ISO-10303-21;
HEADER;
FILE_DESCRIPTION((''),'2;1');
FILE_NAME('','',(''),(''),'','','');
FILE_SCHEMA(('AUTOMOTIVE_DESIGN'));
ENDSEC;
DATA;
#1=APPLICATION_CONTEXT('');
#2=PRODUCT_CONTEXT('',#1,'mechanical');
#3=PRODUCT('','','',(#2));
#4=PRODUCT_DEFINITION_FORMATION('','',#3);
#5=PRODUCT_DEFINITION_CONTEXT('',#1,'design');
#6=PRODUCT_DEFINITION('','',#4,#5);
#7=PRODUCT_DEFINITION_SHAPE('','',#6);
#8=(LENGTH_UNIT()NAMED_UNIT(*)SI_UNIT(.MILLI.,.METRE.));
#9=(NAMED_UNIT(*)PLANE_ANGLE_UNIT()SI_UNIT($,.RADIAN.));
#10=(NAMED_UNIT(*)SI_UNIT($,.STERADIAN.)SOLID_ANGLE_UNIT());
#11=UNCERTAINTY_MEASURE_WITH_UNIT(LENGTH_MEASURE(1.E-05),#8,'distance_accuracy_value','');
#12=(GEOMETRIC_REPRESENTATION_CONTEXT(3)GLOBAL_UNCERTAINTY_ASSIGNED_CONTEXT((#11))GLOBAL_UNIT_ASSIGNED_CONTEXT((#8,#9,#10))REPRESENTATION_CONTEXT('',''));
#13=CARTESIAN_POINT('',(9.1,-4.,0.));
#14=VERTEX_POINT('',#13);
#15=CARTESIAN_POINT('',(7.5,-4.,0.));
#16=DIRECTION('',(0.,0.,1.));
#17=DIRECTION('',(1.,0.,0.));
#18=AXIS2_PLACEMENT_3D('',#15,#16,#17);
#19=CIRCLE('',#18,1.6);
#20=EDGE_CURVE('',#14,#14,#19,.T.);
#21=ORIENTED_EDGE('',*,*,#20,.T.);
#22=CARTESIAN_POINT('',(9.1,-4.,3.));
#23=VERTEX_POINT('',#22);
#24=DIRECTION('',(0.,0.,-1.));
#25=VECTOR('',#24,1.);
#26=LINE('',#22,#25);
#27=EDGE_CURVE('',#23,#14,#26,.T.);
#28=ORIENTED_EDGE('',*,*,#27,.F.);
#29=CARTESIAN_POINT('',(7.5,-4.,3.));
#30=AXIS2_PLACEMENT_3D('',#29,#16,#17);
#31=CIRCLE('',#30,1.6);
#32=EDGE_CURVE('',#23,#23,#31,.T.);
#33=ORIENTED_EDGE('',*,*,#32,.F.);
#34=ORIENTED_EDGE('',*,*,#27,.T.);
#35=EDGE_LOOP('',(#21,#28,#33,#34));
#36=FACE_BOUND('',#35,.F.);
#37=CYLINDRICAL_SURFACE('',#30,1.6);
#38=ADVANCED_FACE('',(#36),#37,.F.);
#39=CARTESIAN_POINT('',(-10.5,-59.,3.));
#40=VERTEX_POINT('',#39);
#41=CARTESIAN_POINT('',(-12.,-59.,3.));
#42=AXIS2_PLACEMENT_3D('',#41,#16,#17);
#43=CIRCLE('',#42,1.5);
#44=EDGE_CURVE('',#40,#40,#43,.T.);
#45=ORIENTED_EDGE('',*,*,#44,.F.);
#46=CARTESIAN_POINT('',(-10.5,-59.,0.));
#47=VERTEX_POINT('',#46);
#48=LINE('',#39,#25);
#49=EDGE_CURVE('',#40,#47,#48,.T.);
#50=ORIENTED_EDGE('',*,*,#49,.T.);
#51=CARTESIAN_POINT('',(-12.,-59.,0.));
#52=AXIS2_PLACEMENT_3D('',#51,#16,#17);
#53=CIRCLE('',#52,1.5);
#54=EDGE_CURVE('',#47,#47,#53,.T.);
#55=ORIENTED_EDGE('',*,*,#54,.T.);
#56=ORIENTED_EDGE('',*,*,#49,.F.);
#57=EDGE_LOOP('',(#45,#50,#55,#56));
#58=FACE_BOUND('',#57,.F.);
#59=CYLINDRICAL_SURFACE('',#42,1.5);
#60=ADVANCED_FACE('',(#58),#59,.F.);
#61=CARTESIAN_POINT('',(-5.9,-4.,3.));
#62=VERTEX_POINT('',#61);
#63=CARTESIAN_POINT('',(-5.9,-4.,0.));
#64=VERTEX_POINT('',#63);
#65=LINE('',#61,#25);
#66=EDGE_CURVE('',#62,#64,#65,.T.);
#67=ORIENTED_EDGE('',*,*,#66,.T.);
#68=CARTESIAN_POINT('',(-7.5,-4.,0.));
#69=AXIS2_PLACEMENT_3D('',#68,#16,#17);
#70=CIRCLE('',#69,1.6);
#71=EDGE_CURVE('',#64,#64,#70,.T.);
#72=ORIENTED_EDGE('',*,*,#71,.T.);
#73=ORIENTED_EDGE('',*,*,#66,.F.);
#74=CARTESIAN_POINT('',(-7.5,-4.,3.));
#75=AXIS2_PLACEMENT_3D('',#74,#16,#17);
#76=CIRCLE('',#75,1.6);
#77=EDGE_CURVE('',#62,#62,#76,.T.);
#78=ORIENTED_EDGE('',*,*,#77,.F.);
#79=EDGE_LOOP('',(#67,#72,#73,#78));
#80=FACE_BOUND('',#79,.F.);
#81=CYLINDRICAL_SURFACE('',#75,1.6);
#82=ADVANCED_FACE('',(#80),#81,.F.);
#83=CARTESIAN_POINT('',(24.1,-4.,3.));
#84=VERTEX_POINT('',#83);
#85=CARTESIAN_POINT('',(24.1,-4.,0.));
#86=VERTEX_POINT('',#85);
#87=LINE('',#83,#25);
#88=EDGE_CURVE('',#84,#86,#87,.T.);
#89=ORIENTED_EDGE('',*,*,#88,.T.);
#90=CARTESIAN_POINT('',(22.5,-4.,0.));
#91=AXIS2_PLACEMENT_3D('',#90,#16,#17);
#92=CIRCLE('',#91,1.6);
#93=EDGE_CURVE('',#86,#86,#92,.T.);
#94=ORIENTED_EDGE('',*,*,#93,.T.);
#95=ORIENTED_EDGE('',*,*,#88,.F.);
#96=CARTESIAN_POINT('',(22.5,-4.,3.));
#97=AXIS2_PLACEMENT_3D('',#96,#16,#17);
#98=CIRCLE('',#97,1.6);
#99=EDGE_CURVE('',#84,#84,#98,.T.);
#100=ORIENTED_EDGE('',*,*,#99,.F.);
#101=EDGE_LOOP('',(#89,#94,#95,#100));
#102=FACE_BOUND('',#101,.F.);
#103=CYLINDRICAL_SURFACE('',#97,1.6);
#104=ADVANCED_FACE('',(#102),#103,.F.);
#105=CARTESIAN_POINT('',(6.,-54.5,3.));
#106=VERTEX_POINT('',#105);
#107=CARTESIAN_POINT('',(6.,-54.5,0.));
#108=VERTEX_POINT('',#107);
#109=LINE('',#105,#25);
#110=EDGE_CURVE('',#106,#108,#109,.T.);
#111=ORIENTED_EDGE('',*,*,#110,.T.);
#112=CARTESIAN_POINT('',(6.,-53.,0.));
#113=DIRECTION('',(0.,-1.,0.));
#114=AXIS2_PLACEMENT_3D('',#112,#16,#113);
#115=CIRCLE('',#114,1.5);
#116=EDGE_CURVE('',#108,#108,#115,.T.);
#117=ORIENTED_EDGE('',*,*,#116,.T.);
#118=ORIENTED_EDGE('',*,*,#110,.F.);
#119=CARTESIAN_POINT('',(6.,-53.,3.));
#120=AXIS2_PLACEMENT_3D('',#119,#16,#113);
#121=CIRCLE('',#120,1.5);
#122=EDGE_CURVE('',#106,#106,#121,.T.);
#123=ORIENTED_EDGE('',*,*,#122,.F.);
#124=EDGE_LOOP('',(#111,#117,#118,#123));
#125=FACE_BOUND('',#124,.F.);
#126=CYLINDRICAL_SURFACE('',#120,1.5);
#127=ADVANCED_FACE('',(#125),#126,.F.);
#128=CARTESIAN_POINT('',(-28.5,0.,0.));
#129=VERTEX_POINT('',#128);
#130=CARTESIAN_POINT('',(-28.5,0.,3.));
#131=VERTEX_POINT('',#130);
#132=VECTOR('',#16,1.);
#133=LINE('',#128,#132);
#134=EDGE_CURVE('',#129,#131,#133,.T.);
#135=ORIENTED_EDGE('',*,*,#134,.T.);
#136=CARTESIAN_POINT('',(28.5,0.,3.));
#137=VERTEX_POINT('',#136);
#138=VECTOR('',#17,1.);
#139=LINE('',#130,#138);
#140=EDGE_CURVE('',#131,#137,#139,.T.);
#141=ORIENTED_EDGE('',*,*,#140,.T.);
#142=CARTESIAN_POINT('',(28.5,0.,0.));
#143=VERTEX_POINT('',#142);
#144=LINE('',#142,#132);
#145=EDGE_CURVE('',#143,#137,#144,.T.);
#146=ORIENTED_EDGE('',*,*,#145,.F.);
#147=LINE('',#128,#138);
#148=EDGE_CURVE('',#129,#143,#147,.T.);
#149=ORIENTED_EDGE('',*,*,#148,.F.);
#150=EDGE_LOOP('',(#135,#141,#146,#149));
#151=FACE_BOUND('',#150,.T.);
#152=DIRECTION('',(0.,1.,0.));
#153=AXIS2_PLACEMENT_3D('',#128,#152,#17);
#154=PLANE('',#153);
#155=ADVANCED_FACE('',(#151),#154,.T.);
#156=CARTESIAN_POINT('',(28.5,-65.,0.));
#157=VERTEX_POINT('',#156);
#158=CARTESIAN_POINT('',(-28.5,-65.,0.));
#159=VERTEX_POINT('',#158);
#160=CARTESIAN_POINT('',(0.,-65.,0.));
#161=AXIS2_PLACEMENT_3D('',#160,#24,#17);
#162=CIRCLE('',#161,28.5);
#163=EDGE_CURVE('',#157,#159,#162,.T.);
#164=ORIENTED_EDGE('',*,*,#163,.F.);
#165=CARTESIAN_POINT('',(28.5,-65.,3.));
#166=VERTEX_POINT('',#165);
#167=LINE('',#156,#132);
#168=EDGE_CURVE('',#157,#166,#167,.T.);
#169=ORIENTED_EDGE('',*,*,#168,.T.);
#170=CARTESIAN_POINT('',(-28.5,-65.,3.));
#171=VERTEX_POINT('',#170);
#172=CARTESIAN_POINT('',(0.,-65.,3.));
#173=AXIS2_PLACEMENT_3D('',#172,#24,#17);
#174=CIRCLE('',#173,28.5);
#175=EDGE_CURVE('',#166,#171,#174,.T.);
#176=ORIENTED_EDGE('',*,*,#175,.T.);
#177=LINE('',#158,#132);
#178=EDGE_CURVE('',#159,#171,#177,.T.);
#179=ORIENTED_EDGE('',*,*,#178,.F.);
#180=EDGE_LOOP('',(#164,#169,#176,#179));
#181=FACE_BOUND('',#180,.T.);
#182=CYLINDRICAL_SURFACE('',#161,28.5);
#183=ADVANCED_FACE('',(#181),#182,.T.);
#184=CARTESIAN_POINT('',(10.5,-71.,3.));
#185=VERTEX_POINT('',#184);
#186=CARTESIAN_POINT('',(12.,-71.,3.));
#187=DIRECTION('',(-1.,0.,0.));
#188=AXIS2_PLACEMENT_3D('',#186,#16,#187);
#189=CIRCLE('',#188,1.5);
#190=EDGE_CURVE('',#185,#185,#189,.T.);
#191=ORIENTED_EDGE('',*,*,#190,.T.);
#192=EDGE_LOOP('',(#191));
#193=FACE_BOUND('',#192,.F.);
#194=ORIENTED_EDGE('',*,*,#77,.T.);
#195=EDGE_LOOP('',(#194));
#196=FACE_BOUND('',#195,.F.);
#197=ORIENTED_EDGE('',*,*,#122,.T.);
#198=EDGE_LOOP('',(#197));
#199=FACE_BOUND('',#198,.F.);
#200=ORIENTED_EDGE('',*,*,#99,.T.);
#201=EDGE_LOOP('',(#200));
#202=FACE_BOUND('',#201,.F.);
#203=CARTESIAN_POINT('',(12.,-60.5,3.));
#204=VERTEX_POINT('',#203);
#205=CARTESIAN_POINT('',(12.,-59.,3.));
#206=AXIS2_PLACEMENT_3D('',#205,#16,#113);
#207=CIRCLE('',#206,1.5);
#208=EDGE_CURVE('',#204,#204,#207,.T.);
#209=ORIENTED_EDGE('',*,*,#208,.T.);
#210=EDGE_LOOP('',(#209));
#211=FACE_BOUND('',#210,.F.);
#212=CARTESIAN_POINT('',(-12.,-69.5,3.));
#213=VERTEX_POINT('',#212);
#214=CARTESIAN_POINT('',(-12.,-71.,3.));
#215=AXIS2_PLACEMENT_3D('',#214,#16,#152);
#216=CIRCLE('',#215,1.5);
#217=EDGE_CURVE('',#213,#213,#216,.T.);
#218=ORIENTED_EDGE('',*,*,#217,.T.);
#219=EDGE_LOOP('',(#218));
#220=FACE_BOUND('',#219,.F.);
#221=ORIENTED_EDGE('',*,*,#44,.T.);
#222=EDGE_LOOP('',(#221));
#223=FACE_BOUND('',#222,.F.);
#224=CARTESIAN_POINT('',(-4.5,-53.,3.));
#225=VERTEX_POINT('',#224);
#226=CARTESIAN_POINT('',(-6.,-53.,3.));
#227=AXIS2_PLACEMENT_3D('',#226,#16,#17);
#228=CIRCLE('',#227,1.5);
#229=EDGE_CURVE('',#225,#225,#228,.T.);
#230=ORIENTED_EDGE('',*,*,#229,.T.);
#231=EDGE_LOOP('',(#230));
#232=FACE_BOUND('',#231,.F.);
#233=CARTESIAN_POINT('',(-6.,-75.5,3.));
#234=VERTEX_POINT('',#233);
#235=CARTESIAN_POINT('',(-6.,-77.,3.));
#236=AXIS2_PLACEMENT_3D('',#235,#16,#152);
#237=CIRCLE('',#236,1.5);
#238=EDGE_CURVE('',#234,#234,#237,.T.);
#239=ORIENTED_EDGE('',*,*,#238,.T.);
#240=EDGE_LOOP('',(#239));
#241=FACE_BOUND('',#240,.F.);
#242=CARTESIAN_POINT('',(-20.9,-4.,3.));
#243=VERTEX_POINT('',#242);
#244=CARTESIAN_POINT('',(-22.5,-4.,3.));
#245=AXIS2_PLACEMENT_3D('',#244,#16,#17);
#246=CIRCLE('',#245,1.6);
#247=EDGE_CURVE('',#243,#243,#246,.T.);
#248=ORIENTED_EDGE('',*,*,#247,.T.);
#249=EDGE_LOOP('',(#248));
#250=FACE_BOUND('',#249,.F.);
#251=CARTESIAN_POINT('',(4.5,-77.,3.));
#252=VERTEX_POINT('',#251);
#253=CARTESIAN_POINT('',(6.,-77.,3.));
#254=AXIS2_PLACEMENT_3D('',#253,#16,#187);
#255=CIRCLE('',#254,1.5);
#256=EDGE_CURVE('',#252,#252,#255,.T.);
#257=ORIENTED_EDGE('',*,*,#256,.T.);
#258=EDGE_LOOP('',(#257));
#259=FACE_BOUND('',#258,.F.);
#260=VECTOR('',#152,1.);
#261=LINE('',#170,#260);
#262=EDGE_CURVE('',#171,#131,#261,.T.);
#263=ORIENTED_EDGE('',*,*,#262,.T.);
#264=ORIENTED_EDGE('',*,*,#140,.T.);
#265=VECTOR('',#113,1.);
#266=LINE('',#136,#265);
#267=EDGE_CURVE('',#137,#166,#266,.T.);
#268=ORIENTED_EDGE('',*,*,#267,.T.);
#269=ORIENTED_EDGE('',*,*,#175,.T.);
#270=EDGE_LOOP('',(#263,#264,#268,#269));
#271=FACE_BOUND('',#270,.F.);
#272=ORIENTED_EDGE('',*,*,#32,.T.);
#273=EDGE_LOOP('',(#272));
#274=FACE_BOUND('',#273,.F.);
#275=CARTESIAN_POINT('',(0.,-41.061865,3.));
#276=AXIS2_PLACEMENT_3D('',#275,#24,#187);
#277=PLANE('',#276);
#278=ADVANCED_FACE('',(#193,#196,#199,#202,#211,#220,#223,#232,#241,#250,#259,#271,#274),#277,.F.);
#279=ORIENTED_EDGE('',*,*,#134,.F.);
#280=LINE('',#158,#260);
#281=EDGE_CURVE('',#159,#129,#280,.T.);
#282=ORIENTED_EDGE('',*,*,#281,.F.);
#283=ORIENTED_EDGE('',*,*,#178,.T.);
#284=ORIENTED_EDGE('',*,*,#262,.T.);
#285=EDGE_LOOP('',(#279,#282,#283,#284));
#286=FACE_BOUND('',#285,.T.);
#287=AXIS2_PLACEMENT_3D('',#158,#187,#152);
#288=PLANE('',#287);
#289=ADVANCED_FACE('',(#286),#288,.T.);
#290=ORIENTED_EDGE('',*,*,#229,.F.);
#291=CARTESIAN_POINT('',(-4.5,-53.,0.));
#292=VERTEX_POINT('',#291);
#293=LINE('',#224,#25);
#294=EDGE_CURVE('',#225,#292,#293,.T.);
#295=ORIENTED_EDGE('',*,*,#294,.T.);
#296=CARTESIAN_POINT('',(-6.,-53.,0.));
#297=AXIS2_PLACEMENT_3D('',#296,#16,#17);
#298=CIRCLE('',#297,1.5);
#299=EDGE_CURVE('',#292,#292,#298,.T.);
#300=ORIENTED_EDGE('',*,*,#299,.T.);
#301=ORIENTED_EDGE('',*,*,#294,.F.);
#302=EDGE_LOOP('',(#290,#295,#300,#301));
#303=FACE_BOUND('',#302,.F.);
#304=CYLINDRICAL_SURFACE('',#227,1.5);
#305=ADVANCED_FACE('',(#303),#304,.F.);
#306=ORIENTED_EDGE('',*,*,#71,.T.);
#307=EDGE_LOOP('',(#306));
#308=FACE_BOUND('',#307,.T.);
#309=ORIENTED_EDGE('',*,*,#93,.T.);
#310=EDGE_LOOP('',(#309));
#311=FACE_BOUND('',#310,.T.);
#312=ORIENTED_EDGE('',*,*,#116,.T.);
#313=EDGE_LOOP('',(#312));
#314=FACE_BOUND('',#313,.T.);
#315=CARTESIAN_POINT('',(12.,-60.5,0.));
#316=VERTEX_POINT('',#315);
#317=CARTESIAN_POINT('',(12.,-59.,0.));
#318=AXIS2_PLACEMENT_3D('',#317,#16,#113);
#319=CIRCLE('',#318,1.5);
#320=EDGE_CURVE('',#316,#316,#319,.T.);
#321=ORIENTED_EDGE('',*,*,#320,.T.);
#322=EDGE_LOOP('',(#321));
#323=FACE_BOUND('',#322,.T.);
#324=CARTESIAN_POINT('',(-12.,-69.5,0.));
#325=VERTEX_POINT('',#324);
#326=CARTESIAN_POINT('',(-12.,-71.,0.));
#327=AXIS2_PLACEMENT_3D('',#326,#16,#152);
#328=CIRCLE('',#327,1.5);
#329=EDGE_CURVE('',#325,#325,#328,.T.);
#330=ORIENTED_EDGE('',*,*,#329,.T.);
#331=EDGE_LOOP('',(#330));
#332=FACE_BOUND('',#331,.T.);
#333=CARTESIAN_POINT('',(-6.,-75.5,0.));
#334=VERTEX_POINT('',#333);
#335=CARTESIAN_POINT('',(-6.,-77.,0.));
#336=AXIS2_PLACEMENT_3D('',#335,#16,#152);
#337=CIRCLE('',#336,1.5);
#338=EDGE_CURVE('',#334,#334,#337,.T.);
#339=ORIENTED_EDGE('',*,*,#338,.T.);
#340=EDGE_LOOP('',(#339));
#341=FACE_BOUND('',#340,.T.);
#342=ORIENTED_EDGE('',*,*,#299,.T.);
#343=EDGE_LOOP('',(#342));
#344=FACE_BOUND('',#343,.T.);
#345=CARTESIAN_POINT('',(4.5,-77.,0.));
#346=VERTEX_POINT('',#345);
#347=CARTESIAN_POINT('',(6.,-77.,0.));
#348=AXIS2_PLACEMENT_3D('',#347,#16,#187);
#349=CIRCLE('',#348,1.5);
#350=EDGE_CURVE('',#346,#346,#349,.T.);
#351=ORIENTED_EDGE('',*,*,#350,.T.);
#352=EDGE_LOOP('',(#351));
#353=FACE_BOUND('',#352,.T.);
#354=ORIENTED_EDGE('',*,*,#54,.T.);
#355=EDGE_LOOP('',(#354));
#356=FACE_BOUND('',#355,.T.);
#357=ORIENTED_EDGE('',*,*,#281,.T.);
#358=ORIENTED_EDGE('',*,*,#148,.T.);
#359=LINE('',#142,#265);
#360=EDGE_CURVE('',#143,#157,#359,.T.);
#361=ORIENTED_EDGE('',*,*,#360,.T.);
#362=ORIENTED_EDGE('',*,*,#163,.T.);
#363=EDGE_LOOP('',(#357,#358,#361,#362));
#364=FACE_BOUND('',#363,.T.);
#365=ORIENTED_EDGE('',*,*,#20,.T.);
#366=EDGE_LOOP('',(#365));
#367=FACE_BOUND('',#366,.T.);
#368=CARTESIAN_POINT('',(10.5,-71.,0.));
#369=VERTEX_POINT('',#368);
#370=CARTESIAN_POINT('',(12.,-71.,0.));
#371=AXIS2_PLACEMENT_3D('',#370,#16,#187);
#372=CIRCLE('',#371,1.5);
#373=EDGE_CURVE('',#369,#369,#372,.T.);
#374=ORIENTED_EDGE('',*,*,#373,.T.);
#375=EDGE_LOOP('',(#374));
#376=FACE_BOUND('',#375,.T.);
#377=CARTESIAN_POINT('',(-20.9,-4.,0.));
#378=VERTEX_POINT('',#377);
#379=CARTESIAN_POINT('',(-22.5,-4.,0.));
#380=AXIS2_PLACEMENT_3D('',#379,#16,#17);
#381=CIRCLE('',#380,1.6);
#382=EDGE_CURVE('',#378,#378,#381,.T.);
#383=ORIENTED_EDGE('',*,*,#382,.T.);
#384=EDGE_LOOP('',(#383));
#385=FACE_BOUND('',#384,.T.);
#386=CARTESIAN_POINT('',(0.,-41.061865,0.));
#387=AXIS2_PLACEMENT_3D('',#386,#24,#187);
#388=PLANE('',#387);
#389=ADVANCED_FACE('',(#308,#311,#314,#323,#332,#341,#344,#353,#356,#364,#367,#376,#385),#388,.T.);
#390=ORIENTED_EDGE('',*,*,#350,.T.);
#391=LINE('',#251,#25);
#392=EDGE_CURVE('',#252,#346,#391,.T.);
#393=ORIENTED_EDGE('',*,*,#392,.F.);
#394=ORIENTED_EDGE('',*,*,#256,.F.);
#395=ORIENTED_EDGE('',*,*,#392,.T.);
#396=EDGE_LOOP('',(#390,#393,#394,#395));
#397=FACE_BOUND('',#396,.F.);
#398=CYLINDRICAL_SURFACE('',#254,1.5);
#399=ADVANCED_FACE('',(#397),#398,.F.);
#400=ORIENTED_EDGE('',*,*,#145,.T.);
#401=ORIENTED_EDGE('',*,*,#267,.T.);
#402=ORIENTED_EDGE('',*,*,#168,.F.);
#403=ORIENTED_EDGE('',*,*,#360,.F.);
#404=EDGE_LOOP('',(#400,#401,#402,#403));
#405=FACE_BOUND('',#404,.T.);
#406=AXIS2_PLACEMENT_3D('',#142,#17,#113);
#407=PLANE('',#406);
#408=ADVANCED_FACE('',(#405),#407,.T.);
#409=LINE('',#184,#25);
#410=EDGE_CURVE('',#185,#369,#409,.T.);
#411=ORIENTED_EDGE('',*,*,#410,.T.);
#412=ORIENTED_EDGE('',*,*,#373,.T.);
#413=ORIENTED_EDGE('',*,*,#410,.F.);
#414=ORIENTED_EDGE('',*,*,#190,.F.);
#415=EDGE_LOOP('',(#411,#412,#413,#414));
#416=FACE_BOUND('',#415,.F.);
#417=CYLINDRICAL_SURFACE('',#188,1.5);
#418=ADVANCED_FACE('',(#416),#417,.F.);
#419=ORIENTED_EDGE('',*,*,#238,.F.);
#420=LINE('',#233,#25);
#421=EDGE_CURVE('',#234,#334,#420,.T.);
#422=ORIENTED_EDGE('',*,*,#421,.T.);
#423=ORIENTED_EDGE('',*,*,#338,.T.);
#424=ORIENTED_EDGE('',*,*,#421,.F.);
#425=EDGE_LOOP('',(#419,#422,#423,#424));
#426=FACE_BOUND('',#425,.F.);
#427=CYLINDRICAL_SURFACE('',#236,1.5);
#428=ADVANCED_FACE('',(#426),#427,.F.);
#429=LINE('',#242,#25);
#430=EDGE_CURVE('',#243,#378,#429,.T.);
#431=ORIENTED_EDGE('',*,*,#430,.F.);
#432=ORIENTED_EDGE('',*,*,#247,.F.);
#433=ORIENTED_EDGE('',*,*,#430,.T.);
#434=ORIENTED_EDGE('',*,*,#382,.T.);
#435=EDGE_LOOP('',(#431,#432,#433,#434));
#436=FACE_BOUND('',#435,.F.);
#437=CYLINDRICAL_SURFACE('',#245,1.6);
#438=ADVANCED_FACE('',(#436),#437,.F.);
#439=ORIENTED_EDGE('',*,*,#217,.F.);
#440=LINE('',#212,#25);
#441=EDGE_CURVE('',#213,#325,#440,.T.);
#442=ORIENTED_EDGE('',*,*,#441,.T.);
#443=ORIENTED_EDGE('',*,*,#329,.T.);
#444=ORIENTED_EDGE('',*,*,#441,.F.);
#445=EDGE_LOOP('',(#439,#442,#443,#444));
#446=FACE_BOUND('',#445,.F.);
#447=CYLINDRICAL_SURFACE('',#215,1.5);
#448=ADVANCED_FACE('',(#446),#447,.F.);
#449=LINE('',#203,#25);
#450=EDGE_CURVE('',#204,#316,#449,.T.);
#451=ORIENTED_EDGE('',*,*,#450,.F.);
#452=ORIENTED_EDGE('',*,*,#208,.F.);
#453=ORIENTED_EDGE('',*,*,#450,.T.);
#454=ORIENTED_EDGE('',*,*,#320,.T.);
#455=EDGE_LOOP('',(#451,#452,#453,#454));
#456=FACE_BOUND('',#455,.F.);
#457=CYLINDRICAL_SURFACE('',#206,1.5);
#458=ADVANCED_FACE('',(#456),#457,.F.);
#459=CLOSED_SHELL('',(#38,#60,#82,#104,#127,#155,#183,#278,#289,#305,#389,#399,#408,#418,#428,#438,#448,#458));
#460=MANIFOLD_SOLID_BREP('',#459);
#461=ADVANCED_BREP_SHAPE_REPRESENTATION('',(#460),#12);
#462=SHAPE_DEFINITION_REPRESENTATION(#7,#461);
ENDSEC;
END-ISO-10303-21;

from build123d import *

# Parameters (mm, degrees)
EXTRUDE_1_DEPTH          = 3
CUT_EXTRUDE_2_REACH      = 99.793
SKETCH_3_R               = 1.6
PATTERN_LINEAR_1_COUNT   = 4
PATTERN_LINEAR_1_PITCH   = 15
CUT_EXTRUDE_1_REACH      = 99.793
SKETCH_2_R               = 1.5
PATTERN_CIRCULAR_1_COUNT = 4


with BuildPart() as part:
    # 草圖1 → 填料-伸長1 (new body)
    with BuildSketch(Plane.XY):
        with BuildLine():
            Line((-28.5, 0), (28.5, 0))
            Line((28.5, 0), (28.5, -65))
            ThreePointArc((28.5, -65), (0, -93.5), (-28.5, -65))
            Line((-28.5, -65), (-28.5, 0))
        make_face()
    extrude(amount=EXTRUDE_1_DEPTH)

    # 草圖3 → 除料-伸長2 (cut, up to next)
    with BuildSketch(Plane.XY.offset(3), mode=Mode.PRIVATE) as cut_extrude_2_sk1:
        with Locations((-22.5, -4)):
            Circle(SKETCH_3_R)
    cut_extrude_2_tool1 = extrude(cut_extrude_2_sk1.sketch, amount=-CUT_EXTRUDE_2_REACH, mode=Mode.PRIVATE) & part.part
    cut_extrude_2 = cut_extrude_2_tool1.solids().sort_by_distance((-22.5, -4, 3))[0]
    add(cut_extrude_2, mode=Mode.SUBTRACT)

    # 直線複製排列1: 除料-伸長2 ×4
    with Locations(*[(i * PATTERN_LINEAR_1_PITCH, 0, 0) for i in range(1, PATTERN_LINEAR_1_COUNT)]):
        add(cut_extrude_2, mode=Mode.SUBTRACT)

    # 草圖2 → 除料-伸長1 (cut, up to next)
    with BuildSketch(Plane.XY.offset(3), mode=Mode.PRIVATE) as cut_extrude_1_sk1:
        with Locations((-6, -53)):
            Circle(SKETCH_2_R)
    cut_extrude_1_tool1 = extrude(cut_extrude_1_sk1.sketch, amount=-CUT_EXTRUDE_1_REACH, mode=Mode.PRIVATE) & part.part
    # 草圖2 → 除料-伸長1 (cut, up to next)
    with BuildSketch(Plane.XY.offset(3), mode=Mode.PRIVATE) as cut_extrude_1_sk2:
        with Locations((-12, -59)):
            Circle(SKETCH_2_R)
    cut_extrude_1_tool2 = extrude(cut_extrude_1_sk2.sketch, amount=-CUT_EXTRUDE_1_REACH, mode=Mode.PRIVATE) & part.part
    cut_extrude_1_1 = cut_extrude_1_tool1.solids().sort_by_distance((-6, -53, 3))[0]
    add(cut_extrude_1_1, mode=Mode.SUBTRACT)
    cut_extrude_1_2 = cut_extrude_1_tool2.solids().sort_by_distance((-12, -59, 3))[0]
    add(cut_extrude_1_2, mode=Mode.SUBTRACT)
    cut_extrude_1 = cut_extrude_1_1 + cut_extrude_1_2  # 除料-伸長1 as one shape, for the pattern or mirror that repeats it

    # 環狀複製排列1: 除料-伸長1 ×4 about axis
    pattern_circular_1_axis = Axis((0, -65, 0), (0, 0, 1))
    for i in range(1, PATTERN_CIRCULAR_1_COUNT):
        add(cut_extrude_1.rotate(pattern_circular_1_axis, i * 360 / PATTERN_CIRCULAR_1_COUNT), mode=Mode.SUBTRACT)


solid = part.part
